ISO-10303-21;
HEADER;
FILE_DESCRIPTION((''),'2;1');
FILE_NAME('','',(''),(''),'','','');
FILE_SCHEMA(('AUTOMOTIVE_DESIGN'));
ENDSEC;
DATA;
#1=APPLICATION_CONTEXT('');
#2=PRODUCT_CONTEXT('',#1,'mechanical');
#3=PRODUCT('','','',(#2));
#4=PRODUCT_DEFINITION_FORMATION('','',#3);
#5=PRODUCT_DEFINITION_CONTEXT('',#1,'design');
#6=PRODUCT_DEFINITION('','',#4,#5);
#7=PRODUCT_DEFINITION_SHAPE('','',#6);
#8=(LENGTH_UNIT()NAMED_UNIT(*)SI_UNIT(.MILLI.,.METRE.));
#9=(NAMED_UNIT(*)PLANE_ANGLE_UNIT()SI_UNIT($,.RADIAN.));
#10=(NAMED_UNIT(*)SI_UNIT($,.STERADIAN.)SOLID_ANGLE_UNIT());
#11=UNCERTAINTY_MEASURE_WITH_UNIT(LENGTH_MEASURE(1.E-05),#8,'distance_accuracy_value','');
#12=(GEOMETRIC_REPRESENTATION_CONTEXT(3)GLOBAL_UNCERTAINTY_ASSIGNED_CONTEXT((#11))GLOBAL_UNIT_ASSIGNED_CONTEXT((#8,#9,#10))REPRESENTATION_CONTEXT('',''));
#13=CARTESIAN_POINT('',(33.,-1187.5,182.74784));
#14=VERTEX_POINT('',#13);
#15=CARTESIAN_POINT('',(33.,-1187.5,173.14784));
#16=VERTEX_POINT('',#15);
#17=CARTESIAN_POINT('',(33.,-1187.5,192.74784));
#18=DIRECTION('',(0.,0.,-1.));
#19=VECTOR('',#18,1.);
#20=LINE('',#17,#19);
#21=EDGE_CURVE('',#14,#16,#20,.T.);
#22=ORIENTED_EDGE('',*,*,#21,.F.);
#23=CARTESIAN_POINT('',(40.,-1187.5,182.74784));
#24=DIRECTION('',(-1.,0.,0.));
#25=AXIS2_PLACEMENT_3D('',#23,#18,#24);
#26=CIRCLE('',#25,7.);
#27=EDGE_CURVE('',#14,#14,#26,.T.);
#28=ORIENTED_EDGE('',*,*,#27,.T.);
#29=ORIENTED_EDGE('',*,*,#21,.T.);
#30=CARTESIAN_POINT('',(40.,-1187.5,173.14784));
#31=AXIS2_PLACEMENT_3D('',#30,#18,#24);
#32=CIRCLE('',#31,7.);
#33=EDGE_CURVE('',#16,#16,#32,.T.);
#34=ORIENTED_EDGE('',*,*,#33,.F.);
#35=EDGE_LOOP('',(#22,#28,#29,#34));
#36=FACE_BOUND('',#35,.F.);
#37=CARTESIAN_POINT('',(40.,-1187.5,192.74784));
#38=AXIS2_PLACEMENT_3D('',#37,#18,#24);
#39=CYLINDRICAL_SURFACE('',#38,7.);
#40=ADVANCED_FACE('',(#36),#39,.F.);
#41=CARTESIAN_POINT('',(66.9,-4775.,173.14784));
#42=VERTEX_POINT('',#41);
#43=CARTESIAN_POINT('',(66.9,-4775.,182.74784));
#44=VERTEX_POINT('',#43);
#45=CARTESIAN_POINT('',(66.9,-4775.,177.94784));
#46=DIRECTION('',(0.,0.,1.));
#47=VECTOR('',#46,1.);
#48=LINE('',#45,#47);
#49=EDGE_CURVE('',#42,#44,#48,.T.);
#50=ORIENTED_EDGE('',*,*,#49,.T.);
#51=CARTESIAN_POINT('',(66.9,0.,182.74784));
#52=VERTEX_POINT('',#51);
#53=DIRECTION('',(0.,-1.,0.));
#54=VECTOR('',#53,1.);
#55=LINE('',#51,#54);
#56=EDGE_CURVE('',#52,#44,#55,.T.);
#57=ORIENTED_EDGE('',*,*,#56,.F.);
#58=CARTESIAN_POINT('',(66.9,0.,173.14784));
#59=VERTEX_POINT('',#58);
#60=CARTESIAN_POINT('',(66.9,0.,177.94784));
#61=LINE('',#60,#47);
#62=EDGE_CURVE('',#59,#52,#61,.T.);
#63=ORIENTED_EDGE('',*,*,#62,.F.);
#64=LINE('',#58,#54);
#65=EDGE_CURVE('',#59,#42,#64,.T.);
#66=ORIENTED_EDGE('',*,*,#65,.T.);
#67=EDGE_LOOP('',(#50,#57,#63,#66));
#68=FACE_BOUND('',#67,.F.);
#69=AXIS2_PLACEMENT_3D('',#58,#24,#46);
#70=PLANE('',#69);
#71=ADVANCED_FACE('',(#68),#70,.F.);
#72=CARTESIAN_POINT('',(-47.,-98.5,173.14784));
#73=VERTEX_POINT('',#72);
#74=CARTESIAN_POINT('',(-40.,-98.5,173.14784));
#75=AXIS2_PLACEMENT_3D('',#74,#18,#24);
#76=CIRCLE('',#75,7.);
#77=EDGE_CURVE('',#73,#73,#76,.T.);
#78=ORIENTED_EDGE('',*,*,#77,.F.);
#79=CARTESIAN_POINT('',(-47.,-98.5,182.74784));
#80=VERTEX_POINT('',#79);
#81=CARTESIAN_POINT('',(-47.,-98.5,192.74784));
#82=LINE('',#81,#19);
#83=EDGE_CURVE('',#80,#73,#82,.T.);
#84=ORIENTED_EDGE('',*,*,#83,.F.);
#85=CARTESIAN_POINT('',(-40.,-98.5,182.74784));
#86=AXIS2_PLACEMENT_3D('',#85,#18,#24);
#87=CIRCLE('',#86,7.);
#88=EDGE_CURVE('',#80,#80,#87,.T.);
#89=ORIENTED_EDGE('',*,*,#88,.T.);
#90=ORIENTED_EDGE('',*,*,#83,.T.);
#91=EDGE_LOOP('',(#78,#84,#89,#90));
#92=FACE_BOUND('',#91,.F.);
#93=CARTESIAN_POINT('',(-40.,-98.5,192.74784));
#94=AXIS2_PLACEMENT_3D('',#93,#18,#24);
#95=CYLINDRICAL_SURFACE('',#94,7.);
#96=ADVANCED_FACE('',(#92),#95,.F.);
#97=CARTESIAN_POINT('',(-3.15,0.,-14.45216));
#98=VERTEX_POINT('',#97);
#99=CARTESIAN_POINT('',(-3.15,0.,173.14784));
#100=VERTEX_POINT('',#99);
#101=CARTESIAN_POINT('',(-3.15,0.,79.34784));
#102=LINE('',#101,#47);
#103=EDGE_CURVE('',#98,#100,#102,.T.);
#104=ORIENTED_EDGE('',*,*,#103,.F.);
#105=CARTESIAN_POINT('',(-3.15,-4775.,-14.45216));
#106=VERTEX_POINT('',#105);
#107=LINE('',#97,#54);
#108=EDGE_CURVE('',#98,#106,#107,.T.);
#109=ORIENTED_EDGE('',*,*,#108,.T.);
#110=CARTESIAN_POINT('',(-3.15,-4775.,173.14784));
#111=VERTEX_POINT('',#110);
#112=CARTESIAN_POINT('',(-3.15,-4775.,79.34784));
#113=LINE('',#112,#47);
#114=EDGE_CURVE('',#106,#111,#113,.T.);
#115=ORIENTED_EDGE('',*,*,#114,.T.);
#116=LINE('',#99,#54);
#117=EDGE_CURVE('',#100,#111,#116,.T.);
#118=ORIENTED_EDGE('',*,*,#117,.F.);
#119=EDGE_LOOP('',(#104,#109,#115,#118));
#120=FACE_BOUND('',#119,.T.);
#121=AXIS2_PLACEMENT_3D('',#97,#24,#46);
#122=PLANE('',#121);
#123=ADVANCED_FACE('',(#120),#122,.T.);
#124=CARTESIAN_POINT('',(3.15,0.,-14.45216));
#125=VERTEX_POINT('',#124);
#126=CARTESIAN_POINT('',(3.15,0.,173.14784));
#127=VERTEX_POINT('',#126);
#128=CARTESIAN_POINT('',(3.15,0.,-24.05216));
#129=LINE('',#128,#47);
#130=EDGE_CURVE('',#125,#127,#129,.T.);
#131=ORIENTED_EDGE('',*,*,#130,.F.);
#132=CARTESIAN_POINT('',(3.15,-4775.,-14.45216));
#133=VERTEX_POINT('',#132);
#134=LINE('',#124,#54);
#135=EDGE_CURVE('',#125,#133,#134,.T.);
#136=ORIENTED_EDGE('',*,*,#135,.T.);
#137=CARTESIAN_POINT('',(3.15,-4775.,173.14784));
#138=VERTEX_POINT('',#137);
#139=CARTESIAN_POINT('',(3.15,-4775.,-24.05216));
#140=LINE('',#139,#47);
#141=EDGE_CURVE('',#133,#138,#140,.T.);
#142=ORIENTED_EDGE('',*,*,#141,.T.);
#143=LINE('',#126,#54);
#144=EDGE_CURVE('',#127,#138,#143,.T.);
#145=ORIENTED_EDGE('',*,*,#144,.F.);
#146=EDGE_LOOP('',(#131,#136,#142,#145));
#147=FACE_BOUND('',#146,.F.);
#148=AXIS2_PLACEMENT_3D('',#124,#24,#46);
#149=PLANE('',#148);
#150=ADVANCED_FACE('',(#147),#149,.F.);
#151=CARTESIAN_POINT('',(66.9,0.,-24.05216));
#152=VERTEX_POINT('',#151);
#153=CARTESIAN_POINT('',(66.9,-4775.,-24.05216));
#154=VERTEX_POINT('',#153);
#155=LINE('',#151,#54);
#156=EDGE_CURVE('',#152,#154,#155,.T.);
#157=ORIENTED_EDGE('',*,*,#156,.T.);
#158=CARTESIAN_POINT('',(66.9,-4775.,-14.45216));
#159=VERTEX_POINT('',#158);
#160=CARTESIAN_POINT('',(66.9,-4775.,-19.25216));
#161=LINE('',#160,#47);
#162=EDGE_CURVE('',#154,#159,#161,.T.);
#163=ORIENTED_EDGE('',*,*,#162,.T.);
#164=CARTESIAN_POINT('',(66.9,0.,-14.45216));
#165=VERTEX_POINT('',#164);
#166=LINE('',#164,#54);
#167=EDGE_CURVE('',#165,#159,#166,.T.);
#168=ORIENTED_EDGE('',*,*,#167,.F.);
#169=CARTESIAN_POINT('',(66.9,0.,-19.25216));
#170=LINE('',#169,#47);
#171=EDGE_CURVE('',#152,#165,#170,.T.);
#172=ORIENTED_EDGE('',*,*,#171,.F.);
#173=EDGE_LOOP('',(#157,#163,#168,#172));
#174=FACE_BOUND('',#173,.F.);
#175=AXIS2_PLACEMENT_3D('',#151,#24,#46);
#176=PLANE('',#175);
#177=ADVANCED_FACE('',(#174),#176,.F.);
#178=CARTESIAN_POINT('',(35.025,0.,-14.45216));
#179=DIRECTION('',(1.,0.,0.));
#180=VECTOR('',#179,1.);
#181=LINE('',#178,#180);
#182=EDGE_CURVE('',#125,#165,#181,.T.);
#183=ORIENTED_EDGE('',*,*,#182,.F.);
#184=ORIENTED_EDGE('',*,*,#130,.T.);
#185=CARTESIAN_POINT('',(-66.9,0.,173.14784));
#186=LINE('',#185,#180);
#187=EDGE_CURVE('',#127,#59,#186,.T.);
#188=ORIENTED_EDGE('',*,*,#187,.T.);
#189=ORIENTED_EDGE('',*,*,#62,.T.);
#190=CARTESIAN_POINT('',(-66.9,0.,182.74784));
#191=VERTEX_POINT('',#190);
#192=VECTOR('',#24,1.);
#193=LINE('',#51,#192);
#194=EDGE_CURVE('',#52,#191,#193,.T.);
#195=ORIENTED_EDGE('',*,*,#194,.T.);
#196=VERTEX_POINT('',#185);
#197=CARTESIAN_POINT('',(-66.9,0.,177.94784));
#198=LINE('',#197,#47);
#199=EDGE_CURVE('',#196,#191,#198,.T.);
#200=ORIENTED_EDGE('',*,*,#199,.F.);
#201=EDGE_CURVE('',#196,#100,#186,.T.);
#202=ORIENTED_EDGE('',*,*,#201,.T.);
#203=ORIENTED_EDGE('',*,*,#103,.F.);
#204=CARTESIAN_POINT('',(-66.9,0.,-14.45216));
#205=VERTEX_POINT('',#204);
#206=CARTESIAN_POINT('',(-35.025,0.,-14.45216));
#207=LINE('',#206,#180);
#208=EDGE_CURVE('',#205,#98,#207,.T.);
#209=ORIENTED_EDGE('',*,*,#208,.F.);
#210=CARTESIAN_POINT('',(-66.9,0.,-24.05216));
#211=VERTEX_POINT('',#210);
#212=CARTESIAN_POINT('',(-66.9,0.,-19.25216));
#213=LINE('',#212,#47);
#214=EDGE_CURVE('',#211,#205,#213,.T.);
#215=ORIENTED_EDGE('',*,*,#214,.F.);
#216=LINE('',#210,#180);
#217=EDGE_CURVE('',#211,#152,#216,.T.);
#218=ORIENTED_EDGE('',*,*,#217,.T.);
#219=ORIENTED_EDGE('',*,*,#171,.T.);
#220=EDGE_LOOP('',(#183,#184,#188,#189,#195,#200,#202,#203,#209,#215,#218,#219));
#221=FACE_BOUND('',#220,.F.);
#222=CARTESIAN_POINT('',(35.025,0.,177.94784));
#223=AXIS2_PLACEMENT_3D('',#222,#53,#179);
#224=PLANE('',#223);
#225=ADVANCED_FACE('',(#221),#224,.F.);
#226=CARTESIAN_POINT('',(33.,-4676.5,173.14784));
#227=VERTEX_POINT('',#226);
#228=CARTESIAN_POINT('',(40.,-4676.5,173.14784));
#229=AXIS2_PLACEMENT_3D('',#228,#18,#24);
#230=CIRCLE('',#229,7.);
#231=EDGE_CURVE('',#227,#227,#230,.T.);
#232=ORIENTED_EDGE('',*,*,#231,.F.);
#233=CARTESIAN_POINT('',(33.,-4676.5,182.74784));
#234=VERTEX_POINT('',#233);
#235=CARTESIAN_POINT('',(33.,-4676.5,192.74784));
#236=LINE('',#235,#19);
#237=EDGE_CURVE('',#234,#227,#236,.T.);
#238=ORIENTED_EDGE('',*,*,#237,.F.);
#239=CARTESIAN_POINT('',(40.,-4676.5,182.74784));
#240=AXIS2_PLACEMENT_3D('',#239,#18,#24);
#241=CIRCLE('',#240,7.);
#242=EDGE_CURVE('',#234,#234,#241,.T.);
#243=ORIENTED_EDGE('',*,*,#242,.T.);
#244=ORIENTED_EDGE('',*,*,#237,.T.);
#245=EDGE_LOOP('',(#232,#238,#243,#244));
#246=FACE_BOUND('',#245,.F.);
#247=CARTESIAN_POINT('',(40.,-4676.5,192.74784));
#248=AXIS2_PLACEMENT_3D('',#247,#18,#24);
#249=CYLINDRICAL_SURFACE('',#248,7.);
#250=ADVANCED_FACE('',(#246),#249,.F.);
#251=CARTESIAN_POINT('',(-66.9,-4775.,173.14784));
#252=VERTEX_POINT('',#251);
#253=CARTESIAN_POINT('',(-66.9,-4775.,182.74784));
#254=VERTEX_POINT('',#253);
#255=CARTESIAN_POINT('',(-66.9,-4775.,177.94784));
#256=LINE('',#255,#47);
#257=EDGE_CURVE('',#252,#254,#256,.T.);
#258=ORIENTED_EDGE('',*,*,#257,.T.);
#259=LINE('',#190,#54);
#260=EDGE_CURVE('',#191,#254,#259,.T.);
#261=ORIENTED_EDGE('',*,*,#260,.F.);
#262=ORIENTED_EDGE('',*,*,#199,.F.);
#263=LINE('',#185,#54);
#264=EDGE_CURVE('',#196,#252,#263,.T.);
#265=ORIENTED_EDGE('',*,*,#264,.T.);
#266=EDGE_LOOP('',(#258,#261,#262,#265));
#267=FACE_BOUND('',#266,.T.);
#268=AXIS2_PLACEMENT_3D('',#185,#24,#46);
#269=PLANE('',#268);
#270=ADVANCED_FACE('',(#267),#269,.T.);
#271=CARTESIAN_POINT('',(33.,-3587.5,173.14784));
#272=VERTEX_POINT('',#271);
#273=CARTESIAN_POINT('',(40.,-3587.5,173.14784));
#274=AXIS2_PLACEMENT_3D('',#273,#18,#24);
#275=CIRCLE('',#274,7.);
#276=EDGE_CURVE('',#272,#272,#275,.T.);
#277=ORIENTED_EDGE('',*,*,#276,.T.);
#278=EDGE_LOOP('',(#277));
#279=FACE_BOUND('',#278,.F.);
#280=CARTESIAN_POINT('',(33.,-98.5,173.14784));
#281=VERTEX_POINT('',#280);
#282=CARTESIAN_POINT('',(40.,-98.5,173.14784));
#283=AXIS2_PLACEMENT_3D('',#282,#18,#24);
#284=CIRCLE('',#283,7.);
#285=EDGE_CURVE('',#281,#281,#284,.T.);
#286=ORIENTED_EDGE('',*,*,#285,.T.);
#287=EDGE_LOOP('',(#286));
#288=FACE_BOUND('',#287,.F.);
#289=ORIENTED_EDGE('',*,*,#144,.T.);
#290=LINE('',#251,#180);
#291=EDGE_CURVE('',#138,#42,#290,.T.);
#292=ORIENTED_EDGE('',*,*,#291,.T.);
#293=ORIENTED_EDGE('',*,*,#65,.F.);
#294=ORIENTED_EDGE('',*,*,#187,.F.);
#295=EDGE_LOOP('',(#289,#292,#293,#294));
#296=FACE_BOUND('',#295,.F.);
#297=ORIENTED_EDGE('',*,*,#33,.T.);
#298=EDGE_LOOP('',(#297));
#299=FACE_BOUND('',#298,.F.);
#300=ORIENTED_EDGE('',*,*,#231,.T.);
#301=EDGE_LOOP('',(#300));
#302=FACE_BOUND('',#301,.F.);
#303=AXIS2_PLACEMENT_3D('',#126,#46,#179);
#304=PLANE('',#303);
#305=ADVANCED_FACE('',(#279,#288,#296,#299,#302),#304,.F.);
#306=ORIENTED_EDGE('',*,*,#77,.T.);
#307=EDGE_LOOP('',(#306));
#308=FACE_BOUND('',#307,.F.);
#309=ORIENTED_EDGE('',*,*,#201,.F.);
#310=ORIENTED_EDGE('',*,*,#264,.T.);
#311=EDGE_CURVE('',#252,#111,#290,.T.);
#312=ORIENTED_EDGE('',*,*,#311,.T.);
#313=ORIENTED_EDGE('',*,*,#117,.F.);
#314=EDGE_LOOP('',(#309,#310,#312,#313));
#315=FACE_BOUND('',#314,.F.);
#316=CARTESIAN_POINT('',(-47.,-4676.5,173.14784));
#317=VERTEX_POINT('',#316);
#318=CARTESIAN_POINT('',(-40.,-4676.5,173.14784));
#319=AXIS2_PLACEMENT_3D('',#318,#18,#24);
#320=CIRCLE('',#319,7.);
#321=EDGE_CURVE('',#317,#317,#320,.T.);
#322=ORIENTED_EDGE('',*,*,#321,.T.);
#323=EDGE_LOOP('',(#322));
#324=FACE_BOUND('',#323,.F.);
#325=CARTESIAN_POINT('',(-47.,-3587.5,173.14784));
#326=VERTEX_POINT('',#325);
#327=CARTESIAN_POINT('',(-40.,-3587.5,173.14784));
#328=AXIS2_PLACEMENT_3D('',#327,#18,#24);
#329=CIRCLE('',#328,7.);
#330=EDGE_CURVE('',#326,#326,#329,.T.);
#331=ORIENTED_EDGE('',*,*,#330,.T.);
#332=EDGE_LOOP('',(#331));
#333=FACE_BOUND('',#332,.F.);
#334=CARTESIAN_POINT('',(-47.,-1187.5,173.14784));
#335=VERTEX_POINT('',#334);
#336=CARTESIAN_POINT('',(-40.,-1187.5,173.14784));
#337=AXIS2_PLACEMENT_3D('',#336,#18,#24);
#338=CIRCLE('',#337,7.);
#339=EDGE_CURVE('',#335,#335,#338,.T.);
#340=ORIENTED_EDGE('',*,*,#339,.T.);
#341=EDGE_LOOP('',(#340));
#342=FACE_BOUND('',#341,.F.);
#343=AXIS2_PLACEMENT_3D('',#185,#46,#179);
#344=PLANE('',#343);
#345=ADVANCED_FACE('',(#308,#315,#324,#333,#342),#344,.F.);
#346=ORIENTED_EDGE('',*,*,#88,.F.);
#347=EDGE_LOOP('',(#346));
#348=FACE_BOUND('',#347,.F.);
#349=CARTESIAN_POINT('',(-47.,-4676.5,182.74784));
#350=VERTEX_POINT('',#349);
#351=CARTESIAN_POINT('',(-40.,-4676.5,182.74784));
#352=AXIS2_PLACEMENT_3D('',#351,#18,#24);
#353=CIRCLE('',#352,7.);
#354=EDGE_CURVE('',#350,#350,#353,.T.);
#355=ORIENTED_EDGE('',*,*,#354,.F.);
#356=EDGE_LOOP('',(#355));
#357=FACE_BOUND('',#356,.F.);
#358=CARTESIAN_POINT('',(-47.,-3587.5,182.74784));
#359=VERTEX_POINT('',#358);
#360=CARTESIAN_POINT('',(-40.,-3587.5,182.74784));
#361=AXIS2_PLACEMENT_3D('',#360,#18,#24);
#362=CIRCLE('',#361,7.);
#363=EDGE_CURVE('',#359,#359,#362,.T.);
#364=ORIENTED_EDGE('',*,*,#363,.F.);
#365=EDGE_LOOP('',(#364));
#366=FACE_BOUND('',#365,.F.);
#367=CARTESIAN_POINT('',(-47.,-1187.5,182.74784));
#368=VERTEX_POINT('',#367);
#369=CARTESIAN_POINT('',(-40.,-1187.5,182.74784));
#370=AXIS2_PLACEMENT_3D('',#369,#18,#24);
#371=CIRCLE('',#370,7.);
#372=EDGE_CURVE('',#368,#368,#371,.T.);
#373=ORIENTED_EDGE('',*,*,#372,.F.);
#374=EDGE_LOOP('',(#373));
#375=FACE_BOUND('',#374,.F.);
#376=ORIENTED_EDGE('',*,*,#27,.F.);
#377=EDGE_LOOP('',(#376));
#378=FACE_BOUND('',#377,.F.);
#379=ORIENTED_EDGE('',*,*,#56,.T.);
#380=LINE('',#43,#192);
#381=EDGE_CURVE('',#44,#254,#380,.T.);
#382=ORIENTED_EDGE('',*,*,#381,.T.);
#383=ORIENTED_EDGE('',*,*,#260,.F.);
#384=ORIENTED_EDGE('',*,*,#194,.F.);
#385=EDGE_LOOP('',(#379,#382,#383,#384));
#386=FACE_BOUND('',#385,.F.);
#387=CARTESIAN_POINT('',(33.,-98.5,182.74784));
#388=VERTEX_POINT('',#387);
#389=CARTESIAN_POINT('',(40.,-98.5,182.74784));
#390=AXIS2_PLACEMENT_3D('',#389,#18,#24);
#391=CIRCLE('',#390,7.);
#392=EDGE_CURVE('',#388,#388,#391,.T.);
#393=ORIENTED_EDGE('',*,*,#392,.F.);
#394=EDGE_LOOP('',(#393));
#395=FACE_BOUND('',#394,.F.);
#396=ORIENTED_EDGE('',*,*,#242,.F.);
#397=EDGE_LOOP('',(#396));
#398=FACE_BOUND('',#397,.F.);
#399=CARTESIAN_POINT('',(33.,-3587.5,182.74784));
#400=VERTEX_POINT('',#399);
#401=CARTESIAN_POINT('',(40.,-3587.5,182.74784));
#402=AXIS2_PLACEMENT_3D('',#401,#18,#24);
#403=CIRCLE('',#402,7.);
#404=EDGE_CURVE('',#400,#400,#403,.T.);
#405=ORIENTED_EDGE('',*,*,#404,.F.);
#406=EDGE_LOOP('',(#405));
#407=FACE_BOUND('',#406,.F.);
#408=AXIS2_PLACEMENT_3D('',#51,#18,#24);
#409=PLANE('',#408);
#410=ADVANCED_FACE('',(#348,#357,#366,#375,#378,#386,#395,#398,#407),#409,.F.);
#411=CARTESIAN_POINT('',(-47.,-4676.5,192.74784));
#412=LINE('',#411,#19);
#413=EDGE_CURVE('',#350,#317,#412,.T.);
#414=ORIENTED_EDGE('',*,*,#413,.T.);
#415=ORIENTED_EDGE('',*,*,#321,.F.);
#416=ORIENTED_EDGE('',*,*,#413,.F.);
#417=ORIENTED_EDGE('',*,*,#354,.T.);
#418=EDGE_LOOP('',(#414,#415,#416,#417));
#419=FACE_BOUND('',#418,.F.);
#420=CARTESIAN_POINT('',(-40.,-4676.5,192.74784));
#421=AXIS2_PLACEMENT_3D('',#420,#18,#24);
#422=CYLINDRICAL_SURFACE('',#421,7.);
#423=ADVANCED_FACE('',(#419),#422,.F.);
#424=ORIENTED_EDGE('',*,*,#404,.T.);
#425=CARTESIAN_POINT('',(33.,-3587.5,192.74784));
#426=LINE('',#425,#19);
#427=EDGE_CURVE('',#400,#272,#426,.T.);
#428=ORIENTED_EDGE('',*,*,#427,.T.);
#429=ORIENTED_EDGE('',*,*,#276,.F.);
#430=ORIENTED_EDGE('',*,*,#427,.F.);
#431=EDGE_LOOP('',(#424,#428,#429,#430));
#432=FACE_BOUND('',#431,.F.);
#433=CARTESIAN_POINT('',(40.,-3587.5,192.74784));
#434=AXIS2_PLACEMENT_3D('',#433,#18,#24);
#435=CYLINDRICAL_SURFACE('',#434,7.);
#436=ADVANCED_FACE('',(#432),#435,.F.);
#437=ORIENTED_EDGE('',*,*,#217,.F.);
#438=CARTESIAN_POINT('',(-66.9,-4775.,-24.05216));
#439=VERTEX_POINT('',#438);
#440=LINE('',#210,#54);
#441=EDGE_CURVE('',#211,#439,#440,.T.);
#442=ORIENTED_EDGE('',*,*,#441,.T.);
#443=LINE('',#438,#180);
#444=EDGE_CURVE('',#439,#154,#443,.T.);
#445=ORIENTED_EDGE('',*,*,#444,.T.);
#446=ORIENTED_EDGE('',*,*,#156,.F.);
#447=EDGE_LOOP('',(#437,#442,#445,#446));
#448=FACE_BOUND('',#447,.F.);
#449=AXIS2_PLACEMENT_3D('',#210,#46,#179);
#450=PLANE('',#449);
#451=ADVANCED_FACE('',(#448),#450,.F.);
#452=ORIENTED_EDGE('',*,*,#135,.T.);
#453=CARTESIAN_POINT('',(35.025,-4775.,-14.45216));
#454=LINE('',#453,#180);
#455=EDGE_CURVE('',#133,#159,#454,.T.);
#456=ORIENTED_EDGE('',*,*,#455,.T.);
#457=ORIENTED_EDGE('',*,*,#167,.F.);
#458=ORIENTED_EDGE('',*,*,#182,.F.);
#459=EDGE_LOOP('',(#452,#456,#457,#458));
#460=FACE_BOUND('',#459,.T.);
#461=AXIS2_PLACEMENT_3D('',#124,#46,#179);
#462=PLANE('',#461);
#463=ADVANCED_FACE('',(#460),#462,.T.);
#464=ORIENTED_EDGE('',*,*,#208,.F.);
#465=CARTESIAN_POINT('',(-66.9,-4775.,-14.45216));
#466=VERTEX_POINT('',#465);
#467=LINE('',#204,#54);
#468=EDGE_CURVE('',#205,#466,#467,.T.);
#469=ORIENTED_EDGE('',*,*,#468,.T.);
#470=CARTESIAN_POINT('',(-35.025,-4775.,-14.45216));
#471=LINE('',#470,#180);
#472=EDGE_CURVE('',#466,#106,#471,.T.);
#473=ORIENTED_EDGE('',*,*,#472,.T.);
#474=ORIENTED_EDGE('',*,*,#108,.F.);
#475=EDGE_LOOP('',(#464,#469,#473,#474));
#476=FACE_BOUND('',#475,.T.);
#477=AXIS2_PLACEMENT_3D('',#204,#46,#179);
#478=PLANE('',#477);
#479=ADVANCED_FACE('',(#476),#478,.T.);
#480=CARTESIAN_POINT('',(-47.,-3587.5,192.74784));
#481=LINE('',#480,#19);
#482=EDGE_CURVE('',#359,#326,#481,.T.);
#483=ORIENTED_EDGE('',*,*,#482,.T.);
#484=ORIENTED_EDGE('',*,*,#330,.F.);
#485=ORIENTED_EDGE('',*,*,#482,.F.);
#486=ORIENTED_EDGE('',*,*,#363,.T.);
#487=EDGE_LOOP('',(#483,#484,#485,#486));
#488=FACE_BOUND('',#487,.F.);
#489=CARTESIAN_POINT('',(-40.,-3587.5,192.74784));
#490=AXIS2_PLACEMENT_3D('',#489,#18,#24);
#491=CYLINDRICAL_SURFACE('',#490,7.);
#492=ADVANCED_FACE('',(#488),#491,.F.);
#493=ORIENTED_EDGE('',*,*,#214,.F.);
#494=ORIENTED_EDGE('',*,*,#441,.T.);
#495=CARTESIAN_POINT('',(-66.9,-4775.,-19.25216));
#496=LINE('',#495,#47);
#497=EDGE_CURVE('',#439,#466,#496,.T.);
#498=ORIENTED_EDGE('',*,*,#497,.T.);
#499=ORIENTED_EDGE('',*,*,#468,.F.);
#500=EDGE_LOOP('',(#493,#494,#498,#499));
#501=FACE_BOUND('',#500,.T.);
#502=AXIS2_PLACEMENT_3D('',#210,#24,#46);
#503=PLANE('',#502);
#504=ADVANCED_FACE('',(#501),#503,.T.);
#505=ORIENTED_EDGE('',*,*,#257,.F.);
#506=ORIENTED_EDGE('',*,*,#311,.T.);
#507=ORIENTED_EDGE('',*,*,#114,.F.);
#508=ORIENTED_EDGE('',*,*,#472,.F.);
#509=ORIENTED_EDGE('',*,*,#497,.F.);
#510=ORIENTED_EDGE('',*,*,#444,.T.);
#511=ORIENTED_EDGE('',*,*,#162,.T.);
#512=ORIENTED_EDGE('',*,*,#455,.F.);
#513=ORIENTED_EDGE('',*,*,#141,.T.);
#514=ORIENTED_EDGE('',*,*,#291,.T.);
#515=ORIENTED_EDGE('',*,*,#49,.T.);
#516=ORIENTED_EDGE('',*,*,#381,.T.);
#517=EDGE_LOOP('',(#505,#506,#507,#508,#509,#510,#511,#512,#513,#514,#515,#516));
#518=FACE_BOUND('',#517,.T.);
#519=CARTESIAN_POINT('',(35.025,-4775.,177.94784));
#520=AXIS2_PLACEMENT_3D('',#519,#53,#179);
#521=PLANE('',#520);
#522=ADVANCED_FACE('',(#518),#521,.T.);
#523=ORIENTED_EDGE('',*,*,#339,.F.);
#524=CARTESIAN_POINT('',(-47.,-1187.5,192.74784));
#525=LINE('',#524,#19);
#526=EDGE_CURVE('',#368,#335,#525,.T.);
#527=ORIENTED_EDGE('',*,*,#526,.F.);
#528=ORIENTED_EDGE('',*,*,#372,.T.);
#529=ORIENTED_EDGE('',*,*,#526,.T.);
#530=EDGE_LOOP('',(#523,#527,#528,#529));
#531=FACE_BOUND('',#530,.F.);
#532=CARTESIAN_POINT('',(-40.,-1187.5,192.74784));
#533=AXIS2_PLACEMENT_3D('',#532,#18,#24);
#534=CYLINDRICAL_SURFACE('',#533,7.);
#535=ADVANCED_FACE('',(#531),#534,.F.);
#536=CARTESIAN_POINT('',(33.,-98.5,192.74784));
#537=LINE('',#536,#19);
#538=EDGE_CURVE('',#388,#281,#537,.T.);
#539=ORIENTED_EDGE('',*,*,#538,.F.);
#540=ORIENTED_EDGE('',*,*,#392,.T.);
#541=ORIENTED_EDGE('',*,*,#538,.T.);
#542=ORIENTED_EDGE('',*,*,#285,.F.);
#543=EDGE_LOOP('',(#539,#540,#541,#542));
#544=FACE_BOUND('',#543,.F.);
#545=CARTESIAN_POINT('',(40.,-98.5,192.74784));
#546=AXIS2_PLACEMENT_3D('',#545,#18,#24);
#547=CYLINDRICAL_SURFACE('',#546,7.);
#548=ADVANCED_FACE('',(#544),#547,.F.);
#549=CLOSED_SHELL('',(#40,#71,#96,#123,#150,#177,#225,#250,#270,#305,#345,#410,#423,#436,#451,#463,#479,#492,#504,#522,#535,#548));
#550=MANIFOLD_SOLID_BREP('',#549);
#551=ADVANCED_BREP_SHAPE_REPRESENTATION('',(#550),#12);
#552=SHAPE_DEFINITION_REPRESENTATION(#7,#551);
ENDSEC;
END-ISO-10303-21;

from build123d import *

# Parameters (mm, degrees)
F0_W     = 63.75
F0_H     = 9.6
F0_W_2   = 6.3
F0_H_2   = 187.6
F1_DEPTH = 4775
F3_D     = 14
F3_DEPTH = 10
F3_TIP   = 4.2060243332


with BuildPart() as f1:
    # F0 (on Front) → F1 (new body)
    with BuildSketch(Plane.XZ):
        with Locations((35.025, 177.9478398199)):
            Rectangle(F0_W, F0_H)
        with Locations((-35.025, 177.9478398199)):
            Rectangle(F0_W, F0_H)
        with Locations((0, 177.9478398199)):
            Rectangle(F0_W_2, F0_H)
        with Locations((0, 79.3478398199)):
            Rectangle(F0_W_2, F0_H_2)
        with Locations((-35.025, -19.2521601801)):
            Rectangle(F0_W, F0_H)
        with Locations((0, -19.2521601801)):
            Rectangle(F0_W_2, F0_H)
        with Locations((35.025, -19.2521601801)):
            Rectangle(F0_W, F0_H)
    extrude(amount=F1_DEPTH)

    # F3
    with Locations(Plane.XY.offset(182.7478398199)):
        with Locations((-40, -98.5), (40, -98.5), (-40, -1187.5), (40, -1187.5), (-40, -3587.5), (40, -3587.5), (-40, -4676.5), (40, -4676.5)):
            Hole(F3_D / 2, depth=F3_DEPTH)
            with Locations((0, 0, -(F3_DEPTH + F3_TIP / 2))):  # 118° drill point
                Cone(0, F3_D / 2, F3_TIP, mode=Mode.SUBTRACT)


solid = f1.part
